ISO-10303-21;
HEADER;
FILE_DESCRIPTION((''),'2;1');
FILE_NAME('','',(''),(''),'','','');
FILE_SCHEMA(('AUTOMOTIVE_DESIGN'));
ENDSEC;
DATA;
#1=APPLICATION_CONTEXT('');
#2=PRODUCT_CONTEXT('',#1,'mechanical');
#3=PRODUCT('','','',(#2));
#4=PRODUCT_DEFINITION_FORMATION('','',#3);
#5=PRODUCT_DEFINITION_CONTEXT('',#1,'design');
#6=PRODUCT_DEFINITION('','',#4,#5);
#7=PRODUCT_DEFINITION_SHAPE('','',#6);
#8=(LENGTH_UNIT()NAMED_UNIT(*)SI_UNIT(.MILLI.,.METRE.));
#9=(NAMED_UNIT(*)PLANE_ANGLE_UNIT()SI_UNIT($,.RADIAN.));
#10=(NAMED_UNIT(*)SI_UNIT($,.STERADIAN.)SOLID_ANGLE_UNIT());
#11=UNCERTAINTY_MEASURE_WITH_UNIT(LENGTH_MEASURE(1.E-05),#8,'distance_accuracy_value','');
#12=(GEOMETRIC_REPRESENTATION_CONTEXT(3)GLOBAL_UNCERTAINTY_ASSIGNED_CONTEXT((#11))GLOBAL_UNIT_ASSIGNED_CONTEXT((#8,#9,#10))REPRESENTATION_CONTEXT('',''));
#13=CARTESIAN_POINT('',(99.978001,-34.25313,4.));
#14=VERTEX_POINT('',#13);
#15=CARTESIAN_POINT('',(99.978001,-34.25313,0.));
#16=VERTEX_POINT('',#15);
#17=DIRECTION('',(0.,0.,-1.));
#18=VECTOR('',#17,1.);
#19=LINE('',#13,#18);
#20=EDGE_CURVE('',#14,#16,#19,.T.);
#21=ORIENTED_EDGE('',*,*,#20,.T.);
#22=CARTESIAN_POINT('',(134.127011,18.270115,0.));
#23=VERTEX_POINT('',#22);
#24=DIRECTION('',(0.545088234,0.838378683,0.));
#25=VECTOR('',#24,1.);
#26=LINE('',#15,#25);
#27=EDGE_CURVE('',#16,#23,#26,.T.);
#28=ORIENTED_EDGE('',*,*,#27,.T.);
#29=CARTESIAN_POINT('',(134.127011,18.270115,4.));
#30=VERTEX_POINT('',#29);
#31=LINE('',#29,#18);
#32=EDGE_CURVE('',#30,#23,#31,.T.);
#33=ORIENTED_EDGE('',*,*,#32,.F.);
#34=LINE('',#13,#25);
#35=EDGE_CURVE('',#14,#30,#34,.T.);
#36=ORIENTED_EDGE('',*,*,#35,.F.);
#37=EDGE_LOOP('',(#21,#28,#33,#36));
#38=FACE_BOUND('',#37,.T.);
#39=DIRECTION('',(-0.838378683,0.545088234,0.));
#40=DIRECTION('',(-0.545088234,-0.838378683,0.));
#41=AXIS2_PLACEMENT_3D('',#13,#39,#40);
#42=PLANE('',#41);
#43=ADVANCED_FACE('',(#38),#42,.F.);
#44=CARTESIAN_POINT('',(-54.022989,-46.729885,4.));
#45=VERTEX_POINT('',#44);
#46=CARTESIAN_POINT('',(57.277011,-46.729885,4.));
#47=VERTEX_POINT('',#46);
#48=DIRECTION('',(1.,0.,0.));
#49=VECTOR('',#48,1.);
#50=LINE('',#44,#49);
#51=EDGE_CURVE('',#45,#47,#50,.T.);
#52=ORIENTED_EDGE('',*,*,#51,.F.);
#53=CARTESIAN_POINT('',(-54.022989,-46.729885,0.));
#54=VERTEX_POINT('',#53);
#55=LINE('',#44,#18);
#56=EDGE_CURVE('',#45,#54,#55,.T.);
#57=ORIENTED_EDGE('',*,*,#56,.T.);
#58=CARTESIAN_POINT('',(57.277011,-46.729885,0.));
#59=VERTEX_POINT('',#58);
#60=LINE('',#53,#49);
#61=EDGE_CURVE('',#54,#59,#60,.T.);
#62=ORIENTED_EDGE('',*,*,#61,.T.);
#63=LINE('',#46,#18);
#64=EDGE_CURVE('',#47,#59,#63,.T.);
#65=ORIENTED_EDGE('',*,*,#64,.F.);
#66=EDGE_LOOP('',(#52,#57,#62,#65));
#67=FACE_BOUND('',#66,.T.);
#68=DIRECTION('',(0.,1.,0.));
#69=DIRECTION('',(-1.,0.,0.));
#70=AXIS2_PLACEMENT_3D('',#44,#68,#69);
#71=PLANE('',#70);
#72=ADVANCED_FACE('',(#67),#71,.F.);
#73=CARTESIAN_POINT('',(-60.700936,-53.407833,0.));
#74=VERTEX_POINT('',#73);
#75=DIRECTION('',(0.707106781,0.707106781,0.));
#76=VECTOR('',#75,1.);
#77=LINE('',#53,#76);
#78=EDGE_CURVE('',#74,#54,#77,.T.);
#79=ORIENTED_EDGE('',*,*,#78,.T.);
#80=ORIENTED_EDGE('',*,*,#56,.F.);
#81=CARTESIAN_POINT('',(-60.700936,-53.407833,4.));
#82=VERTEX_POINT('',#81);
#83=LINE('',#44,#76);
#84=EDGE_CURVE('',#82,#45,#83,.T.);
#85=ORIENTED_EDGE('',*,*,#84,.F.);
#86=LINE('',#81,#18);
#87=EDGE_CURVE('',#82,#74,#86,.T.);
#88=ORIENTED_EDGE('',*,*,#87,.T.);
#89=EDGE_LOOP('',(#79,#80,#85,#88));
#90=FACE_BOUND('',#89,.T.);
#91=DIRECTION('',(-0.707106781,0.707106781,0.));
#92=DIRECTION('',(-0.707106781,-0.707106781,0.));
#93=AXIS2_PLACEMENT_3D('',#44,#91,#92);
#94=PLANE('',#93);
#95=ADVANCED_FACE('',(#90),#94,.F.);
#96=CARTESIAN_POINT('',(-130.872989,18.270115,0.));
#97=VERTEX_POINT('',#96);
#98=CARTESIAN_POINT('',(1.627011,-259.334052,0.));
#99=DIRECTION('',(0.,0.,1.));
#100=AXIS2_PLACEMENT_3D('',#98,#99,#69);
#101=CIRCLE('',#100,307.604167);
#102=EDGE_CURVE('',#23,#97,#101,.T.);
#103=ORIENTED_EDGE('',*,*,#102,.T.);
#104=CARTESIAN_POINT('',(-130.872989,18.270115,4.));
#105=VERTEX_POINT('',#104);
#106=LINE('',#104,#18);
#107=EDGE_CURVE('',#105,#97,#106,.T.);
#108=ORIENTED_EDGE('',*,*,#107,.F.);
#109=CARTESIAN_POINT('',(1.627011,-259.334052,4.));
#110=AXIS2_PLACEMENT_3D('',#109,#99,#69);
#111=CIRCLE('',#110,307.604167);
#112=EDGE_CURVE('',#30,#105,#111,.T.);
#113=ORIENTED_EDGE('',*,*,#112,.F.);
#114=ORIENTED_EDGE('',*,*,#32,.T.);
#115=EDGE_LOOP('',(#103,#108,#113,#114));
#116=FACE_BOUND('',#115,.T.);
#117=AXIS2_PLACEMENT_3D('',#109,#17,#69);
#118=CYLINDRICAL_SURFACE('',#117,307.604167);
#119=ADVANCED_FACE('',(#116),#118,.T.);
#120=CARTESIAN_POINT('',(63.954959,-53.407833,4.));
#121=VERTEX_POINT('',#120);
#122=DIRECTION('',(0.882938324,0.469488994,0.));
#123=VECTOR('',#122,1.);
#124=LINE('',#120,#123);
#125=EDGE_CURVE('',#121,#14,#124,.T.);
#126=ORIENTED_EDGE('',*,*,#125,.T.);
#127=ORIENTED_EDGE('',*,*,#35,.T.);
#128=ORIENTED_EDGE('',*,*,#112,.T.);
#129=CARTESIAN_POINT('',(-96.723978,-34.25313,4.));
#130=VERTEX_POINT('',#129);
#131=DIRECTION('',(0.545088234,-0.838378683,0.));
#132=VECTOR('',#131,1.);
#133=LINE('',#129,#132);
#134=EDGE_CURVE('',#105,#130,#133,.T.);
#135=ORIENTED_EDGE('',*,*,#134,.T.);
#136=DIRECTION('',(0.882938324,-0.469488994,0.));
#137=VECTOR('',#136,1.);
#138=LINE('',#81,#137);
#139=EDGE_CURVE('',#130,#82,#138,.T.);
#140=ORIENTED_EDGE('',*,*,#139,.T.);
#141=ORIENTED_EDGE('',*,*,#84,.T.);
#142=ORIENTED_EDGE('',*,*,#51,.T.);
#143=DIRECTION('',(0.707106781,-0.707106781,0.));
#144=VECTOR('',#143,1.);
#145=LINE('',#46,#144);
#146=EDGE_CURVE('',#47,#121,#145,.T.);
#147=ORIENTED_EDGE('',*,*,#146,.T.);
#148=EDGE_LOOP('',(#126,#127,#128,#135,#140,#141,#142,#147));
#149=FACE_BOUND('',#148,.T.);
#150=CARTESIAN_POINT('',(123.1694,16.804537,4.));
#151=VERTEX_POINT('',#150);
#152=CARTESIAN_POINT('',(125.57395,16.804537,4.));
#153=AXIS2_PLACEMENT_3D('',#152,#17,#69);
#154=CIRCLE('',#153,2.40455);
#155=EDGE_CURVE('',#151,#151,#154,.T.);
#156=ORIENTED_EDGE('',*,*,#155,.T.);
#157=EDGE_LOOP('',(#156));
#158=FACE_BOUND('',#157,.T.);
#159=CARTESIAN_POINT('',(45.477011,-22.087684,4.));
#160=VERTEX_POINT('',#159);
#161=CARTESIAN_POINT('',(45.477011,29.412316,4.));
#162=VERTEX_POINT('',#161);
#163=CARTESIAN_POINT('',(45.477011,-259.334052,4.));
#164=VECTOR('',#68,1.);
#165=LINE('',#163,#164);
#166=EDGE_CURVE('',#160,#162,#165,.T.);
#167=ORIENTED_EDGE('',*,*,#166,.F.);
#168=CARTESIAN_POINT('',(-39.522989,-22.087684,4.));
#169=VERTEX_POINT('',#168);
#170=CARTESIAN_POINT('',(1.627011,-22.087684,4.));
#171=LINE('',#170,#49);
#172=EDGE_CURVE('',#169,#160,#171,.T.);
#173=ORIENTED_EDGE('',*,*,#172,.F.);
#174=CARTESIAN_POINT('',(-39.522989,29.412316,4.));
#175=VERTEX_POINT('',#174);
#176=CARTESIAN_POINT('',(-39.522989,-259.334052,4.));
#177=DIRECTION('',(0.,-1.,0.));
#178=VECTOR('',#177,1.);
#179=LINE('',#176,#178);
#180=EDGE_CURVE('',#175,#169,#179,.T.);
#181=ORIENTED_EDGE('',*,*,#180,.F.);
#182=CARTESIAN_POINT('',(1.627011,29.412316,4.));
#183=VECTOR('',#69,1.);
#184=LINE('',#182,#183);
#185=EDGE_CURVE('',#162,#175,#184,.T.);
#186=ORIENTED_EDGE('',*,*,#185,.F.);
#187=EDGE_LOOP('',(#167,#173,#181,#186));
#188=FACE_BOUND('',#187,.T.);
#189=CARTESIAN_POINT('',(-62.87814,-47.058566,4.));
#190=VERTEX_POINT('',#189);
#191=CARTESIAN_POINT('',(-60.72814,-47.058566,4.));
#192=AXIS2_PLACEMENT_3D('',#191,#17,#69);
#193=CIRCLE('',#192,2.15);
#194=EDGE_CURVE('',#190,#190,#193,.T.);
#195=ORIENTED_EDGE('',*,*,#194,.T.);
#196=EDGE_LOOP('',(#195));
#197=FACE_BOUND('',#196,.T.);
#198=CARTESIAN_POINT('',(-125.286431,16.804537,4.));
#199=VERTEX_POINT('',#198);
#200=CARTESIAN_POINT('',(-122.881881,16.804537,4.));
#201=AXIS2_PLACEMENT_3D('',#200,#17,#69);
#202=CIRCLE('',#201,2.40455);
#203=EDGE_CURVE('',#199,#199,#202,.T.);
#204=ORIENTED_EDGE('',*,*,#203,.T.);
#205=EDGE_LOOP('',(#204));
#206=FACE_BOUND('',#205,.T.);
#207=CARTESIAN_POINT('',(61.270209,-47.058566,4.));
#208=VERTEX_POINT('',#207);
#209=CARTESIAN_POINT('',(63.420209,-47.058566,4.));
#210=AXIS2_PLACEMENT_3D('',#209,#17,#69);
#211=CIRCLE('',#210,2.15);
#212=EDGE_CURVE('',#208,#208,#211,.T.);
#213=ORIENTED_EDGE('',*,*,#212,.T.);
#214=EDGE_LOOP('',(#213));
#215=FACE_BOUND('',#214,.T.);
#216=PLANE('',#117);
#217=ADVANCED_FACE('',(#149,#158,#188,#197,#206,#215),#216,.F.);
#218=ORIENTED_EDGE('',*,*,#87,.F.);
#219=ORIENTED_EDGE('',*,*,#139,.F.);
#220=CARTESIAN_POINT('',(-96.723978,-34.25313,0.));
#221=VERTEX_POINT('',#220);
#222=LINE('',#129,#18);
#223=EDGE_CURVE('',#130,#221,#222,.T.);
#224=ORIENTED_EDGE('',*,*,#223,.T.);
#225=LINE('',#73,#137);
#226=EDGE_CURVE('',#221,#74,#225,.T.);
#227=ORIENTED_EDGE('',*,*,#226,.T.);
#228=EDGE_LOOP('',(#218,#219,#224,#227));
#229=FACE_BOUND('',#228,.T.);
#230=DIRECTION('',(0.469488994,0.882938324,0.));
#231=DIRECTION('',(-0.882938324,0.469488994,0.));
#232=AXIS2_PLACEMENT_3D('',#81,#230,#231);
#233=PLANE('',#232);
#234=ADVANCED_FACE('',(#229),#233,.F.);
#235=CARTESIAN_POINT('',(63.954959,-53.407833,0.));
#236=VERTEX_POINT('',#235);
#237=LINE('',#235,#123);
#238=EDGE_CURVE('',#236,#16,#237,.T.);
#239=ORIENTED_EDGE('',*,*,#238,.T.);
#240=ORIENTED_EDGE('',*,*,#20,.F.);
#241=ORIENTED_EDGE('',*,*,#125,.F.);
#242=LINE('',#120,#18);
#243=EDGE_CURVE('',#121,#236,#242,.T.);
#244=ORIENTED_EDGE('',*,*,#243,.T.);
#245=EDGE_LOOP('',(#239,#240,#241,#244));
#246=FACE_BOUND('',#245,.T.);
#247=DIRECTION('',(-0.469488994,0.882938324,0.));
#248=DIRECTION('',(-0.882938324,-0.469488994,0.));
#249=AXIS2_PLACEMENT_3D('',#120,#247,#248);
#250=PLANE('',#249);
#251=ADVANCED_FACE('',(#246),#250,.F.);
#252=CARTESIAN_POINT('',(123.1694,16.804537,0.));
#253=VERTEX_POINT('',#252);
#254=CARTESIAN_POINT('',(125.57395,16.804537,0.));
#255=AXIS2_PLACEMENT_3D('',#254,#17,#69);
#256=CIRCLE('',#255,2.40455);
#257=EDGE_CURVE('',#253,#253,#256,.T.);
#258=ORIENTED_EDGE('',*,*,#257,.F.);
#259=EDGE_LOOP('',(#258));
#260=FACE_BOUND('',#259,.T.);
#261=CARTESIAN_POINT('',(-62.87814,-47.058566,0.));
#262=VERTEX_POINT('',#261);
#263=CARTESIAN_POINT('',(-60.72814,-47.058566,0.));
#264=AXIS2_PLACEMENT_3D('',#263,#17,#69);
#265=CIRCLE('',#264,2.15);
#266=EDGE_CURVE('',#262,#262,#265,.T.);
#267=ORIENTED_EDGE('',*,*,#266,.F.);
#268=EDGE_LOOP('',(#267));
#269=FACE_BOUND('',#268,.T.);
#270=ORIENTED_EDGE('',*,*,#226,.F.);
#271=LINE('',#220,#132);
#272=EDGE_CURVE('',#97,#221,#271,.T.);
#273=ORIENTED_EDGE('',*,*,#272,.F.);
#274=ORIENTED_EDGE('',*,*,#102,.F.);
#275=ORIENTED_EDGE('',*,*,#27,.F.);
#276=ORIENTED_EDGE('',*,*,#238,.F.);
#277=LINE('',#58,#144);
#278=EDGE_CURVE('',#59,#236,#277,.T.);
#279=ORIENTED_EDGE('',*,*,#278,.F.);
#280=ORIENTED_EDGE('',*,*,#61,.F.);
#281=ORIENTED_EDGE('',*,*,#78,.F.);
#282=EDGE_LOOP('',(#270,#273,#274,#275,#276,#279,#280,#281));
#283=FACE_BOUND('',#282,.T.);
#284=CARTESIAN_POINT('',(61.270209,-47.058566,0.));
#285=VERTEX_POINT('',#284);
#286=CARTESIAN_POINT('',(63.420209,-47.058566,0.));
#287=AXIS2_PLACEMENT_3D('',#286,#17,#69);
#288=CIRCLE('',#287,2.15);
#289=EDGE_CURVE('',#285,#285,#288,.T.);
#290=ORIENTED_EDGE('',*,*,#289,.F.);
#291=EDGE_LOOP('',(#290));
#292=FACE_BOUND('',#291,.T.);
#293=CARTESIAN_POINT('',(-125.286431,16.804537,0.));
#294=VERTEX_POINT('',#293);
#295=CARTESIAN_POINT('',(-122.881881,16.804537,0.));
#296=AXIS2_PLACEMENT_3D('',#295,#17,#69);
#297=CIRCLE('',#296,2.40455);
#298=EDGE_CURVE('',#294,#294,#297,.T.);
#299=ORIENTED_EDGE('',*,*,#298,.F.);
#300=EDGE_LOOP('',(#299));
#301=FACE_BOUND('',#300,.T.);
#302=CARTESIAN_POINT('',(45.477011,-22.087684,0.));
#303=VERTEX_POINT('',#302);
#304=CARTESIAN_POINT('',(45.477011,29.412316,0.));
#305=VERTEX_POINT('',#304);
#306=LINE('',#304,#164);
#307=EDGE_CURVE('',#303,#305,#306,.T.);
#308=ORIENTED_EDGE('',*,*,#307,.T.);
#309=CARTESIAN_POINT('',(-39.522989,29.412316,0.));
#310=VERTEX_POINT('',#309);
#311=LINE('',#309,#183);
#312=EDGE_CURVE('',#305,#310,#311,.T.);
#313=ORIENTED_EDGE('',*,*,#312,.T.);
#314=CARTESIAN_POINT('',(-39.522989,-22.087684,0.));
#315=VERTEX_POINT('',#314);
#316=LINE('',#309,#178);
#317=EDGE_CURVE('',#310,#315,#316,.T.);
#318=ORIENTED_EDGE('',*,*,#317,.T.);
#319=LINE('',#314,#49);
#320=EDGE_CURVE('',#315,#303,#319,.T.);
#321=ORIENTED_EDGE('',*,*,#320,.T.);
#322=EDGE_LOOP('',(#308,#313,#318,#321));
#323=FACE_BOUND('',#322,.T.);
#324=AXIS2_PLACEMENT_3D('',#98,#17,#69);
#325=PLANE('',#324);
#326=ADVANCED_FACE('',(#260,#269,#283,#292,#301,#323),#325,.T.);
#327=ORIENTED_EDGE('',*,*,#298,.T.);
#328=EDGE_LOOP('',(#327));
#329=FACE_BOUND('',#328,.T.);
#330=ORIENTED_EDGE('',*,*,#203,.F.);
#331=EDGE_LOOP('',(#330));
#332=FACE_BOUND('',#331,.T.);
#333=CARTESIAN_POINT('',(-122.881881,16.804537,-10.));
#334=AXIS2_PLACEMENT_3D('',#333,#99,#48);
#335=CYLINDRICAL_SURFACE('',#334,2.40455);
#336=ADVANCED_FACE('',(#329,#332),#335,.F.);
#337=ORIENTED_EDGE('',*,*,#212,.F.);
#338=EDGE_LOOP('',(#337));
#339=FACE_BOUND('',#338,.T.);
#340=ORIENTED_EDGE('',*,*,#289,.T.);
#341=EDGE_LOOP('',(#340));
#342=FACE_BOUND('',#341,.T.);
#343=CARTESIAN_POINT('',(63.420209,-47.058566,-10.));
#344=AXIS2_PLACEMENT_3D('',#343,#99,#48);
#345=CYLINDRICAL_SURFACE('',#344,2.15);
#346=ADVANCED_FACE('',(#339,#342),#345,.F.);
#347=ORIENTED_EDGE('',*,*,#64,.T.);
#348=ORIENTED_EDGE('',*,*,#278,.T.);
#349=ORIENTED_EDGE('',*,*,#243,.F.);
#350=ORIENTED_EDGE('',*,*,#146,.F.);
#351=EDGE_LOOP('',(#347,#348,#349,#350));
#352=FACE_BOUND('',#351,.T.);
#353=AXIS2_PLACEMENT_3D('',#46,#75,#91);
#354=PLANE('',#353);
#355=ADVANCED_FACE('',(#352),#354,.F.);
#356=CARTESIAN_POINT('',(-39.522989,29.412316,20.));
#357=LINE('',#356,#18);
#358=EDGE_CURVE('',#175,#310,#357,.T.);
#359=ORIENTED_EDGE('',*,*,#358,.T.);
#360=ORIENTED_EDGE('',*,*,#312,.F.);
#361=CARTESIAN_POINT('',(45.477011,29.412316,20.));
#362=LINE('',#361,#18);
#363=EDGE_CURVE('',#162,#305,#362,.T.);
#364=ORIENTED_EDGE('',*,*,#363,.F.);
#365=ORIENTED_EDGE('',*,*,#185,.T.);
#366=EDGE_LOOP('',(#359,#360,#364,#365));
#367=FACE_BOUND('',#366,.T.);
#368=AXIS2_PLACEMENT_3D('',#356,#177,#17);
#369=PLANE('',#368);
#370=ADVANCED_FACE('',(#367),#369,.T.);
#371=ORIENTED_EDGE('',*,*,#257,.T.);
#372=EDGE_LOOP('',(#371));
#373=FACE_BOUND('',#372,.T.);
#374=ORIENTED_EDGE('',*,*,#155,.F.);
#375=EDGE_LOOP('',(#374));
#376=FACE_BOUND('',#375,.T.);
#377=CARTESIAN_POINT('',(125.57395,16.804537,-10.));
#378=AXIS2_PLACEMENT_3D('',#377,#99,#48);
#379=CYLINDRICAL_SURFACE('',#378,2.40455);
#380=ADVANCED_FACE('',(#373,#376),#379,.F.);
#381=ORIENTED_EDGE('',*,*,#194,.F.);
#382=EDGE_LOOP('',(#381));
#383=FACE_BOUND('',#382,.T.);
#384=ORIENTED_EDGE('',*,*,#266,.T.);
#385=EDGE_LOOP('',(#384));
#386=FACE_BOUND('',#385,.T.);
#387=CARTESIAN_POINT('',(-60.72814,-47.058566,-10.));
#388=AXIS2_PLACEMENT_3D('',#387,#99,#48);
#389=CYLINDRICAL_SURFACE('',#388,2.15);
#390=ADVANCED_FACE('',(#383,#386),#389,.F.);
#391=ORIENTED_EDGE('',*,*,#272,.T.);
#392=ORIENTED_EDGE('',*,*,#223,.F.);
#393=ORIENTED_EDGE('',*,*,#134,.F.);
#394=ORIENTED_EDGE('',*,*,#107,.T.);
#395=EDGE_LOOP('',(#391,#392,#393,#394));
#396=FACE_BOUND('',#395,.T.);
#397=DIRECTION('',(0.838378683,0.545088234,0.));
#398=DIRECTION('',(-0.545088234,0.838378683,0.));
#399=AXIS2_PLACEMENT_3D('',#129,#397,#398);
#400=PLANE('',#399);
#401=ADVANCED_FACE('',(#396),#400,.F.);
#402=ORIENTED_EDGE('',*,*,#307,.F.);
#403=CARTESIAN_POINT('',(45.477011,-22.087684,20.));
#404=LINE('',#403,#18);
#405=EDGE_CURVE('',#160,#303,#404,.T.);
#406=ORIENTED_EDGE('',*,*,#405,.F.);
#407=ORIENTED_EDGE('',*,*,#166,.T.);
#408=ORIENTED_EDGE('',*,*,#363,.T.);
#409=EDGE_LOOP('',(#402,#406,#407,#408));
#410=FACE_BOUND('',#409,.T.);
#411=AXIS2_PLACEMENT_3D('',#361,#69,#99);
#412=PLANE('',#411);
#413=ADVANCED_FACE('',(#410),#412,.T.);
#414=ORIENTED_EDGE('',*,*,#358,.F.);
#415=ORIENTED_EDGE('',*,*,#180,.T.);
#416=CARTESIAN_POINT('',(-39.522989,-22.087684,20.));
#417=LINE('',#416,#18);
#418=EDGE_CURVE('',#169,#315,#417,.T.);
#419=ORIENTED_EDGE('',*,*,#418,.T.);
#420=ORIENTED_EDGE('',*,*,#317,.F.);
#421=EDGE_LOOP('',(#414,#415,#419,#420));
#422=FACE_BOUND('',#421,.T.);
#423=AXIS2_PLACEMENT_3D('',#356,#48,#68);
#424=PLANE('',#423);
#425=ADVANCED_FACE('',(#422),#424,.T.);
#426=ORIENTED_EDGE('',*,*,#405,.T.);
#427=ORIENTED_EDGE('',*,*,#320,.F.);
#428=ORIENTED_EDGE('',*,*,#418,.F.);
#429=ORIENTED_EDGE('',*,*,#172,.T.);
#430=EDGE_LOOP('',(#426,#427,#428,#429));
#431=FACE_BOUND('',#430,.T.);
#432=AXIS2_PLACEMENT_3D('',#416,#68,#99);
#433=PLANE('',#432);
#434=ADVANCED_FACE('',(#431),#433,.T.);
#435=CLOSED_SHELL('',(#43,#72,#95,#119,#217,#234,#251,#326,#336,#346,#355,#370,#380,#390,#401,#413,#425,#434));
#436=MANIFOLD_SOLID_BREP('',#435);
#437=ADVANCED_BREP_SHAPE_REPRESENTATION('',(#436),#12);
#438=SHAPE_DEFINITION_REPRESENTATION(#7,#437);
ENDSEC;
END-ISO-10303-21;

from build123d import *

# Parameters (mm, degrees)
BOSS_EXTRUDE1_DEPTH = 4
SKETCH2_W           = 85
SKETCH2_H           = 51.5
CUT_EXTRUDE1_DEPTH  = 20
CUT_EXTRUDE3_START  = 10
SKETCH3_R           = 2.404549827
SKETCH3_R_2         = 2.15
CUT_EXTRUDE3_DEPTH  = 20


with BuildPart() as part:
    # Sketch1 → Boss-Extrude1 (new body)
    with BuildSketch(Plane.XY):
        with BuildLine():
            Line((-54.022988506, -46.729885057), (-60.700936328, -53.40783288))
            Line((-60.700936328, -53.40783288), (-96.723977713, -34.253129761))
            Line((-96.723977713, -34.253129761), (-130.872988506, 18.270114943))
            ThreePointArc((-130.872988506, 18.270114943), (1.627011494, 48.270114943), (134.127011494, 18.270114943))
            Line((134.127011494, 18.270114943), (99.978000701, -34.253129761))
            Line((99.978000701, -34.253129761), (63.954959317, -53.40783288))
            Line((63.954959317, -53.40783288), (57.277011494, -46.729885057))
            Line((57.277011494, -46.729885057), (-54.022988506, -46.729885057))
        make_face()
    extrude(amount=BOSS_EXTRUDE1_DEPTH)

    # Sketch2 → Cut-Extrude1 (cut)
    with BuildSketch(Plane.XY):
        with Locations((2.977011494, 3.662316168)):
            Rectangle(SKETCH2_W, SKETCH2_H)
    extrude(amount=CUT_EXTRUDE1_DEPTH, mode=Mode.SUBTRACT)

    # Sketch3 → Cut-Extrude3 (cut)
    with BuildSketch(Plane.XY.offset(CUT_EXTRUDE3_START)):
        with Locations(Location((-122.881880972, 16.804537187, 0), (0, 0, 180))):
            Circle(SKETCH3_R)
        with Locations(Location((-60.728139954, -47.058565961, 0), (0, 0, 180))):
            Circle(SKETCH3_R_2)
        with Locations(Location((63.420208839, -47.058565961, 0), (0, 0, 180))):
            Circle(SKETCH3_R_2)
        with Locations(Location((125.573949857, 16.804537187, 0), (0, 0, 180))):
            Circle(SKETCH3_R)
    extrude(amount=-CUT_EXTRUDE3_DEPTH, mode=Mode.SUBTRACT)


solid = part.part
